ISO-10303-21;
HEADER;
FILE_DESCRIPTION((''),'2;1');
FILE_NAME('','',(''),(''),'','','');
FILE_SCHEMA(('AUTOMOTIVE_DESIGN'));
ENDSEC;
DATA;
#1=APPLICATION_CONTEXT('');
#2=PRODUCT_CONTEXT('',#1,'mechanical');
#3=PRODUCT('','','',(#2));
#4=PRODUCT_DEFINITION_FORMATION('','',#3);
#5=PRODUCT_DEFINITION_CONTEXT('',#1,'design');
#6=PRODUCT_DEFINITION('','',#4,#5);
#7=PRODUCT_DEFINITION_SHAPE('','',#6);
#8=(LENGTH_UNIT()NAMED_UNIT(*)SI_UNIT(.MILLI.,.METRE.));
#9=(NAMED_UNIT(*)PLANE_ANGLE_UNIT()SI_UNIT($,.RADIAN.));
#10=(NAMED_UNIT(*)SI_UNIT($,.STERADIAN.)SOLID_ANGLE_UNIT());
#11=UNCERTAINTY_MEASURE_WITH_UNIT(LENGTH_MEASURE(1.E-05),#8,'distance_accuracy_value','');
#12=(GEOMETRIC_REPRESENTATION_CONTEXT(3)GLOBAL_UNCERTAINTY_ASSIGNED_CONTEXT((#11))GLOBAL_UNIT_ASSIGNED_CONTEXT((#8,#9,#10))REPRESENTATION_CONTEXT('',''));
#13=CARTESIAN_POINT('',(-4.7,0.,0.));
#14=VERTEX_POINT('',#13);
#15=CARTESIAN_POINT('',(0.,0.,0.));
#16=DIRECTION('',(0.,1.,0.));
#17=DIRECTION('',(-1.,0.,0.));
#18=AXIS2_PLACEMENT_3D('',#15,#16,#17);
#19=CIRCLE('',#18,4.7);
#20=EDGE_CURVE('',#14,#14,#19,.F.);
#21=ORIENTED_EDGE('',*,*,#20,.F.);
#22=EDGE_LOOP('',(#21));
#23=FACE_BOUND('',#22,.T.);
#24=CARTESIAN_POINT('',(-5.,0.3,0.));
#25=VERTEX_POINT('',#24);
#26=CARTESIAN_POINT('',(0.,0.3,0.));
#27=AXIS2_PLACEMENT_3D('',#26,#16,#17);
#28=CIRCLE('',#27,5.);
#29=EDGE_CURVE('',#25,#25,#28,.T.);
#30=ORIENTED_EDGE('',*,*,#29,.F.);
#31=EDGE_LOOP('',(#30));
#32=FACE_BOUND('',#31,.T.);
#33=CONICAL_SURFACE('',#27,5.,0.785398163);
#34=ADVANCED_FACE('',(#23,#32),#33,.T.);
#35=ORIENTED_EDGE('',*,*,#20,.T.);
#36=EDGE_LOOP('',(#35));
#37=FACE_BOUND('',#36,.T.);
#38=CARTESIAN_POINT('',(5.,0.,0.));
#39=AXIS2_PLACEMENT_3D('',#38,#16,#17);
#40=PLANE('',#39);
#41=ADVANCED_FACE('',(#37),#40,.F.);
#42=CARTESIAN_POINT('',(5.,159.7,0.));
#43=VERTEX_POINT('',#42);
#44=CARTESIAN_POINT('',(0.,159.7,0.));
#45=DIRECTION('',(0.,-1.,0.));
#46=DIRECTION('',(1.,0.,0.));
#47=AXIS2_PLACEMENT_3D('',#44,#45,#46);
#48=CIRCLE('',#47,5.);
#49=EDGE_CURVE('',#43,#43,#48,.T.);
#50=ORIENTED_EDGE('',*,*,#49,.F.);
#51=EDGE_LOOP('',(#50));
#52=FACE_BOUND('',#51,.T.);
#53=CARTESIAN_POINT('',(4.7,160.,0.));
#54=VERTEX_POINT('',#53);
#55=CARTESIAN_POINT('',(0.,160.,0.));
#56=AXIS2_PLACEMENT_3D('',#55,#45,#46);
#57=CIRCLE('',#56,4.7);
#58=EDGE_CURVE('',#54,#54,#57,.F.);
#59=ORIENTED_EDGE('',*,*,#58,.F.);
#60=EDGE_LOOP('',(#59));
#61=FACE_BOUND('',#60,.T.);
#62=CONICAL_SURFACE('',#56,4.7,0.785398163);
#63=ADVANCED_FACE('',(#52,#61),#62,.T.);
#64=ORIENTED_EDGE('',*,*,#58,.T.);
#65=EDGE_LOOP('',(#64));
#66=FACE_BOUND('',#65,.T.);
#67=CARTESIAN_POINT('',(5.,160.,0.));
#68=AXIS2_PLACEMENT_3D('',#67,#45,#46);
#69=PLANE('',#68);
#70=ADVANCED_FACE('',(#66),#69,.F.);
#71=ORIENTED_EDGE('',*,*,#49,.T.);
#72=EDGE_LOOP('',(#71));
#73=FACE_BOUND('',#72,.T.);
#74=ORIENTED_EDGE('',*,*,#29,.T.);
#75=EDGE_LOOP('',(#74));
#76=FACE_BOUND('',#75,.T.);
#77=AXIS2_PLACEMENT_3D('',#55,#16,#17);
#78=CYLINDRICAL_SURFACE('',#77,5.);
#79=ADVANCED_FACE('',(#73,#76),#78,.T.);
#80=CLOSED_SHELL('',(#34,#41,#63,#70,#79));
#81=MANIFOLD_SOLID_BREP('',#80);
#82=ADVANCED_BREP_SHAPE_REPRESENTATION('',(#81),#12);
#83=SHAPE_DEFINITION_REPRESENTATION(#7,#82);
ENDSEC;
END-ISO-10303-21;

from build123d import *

# Parameters (mm, degrees)
SKETCH1_W     = 5
SKETCH1_H     = 160
CHAMFER1_SIZE = 0.3


with BuildPart() as part:
    # Sketch1 → Revolve1 (revolve)
    with BuildSketch(Plane.XY):
        with Locations((2.5, 80)):
            Rectangle(SKETCH1_W, SKETCH1_H)
    revolve(axis=Axis((0, 160, 0), (0, -1, 0)))

    # Chamfer1
    chamfer1_edges = [part.edges().sort_by_distance(p)[0] for p in [
        (-5, 160, 0),
        (-5, 0, 0),
    ]]
    chamfer(chamfer1_edges, length=CHAMFER1_SIZE)


solid = part.part
